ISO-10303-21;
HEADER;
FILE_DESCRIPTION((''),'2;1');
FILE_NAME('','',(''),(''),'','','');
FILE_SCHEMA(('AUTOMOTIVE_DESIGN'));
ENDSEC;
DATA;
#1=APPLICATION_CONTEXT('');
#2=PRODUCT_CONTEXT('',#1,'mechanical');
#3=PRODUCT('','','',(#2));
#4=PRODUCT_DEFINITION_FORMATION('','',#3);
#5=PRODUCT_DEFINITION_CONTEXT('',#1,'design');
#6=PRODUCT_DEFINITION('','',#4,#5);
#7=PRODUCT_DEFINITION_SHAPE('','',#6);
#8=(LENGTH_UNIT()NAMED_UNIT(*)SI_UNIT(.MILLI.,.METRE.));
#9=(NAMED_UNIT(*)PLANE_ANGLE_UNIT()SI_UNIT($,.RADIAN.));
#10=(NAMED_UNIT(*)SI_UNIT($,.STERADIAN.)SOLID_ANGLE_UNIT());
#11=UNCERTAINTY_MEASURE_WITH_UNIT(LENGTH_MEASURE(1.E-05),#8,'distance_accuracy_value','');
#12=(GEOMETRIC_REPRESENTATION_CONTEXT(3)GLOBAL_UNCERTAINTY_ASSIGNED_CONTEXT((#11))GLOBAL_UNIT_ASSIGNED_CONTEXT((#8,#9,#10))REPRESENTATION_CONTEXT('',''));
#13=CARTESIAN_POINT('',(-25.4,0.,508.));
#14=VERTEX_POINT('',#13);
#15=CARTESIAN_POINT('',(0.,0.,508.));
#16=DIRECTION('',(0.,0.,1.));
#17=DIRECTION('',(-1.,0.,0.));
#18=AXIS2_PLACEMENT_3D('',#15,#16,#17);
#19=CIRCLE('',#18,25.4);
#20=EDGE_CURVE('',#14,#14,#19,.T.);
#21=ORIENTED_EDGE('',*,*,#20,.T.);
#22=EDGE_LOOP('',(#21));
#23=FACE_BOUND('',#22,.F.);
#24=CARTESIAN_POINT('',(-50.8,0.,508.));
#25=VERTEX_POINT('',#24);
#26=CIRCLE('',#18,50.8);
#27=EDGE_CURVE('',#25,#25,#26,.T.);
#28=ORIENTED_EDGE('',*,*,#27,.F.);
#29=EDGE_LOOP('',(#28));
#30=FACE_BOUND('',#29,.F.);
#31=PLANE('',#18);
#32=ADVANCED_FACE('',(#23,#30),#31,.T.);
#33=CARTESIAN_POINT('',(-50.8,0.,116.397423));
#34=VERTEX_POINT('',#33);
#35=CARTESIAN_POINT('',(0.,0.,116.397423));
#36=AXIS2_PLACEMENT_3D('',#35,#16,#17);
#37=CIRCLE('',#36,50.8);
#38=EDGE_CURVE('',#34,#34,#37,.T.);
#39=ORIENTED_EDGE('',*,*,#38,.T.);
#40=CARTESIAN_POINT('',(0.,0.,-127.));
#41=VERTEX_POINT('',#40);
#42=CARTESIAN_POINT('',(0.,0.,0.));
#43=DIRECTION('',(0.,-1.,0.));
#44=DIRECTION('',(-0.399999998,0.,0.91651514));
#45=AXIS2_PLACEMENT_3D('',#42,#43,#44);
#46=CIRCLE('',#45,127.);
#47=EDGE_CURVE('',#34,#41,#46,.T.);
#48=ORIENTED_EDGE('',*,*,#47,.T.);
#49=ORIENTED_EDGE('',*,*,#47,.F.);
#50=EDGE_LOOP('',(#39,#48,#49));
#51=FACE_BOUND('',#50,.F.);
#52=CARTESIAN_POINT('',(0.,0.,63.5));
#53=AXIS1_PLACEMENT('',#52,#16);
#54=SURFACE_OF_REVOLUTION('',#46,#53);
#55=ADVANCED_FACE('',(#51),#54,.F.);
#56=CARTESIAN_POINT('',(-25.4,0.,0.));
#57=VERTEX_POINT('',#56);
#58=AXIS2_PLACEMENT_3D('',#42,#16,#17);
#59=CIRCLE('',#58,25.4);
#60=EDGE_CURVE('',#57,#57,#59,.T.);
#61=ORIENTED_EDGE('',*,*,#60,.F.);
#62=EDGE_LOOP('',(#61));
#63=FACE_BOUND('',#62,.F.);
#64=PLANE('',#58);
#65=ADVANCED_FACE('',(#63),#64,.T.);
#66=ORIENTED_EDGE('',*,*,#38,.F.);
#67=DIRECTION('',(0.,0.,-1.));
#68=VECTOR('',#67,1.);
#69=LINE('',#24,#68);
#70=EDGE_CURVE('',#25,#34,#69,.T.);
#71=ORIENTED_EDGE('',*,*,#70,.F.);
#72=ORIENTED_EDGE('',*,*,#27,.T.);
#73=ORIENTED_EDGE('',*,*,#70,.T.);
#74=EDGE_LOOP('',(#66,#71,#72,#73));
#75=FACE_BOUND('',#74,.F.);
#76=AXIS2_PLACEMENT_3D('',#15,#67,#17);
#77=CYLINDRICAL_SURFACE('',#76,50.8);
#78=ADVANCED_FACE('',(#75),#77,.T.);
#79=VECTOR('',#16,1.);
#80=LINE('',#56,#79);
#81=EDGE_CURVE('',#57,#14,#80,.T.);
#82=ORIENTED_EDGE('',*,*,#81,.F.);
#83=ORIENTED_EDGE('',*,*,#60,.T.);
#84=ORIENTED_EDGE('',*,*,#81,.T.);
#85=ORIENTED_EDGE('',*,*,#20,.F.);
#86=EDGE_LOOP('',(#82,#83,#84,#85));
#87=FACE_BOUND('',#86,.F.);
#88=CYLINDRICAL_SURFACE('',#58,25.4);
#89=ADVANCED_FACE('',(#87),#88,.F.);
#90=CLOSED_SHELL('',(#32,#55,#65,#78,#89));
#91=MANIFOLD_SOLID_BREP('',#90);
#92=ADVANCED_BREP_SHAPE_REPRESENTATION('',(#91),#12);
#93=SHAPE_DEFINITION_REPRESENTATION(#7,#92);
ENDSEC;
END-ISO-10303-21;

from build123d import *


with BuildPart() as f1:
    # F0 (on Front) → F1 (revolve)
    with BuildSketch(Plane.XZ):
        with BuildLine():
            Line((-25.4, 0), (-25.4, 124.434079))
            ThreePointArc((-25.4, 124.434079), (-38.311316, 121.08362), (-50.8, 116.397423))
            Line((-50.8, 116.397423), (-50.8, 0))
            Line((-50.8, 0), (-25.4, 0))
        make_face()
        with BuildLine():
            ThreePointArc((-50.8, 116.397423), (-38.311316, 121.08362), (-25.4, 124.434079))
            Line((-25.4, 124.434079), (-25.4, 508))
            Line((-25.4, 508), (-50.8, 508))
            Line((-50.8, 508), (-50.8, 116.397423))
        make_face()
        with BuildLine():
            Line((-50.8, 0), (-50.8, 116.397423))
            ThreePointArc((-50.8, 116.397423), (-124.321102, -25.947325), (0, -127))
            Line((0, -127), (0, 0))
            Line((0, 0), (-25.4, 0))
            Line((-25.4, 0), (-50.8, 0))
        make_face()
    revolve(axis=Axis((0, 0, 63.5), (0, 0, 1)))


solid = f1.part
